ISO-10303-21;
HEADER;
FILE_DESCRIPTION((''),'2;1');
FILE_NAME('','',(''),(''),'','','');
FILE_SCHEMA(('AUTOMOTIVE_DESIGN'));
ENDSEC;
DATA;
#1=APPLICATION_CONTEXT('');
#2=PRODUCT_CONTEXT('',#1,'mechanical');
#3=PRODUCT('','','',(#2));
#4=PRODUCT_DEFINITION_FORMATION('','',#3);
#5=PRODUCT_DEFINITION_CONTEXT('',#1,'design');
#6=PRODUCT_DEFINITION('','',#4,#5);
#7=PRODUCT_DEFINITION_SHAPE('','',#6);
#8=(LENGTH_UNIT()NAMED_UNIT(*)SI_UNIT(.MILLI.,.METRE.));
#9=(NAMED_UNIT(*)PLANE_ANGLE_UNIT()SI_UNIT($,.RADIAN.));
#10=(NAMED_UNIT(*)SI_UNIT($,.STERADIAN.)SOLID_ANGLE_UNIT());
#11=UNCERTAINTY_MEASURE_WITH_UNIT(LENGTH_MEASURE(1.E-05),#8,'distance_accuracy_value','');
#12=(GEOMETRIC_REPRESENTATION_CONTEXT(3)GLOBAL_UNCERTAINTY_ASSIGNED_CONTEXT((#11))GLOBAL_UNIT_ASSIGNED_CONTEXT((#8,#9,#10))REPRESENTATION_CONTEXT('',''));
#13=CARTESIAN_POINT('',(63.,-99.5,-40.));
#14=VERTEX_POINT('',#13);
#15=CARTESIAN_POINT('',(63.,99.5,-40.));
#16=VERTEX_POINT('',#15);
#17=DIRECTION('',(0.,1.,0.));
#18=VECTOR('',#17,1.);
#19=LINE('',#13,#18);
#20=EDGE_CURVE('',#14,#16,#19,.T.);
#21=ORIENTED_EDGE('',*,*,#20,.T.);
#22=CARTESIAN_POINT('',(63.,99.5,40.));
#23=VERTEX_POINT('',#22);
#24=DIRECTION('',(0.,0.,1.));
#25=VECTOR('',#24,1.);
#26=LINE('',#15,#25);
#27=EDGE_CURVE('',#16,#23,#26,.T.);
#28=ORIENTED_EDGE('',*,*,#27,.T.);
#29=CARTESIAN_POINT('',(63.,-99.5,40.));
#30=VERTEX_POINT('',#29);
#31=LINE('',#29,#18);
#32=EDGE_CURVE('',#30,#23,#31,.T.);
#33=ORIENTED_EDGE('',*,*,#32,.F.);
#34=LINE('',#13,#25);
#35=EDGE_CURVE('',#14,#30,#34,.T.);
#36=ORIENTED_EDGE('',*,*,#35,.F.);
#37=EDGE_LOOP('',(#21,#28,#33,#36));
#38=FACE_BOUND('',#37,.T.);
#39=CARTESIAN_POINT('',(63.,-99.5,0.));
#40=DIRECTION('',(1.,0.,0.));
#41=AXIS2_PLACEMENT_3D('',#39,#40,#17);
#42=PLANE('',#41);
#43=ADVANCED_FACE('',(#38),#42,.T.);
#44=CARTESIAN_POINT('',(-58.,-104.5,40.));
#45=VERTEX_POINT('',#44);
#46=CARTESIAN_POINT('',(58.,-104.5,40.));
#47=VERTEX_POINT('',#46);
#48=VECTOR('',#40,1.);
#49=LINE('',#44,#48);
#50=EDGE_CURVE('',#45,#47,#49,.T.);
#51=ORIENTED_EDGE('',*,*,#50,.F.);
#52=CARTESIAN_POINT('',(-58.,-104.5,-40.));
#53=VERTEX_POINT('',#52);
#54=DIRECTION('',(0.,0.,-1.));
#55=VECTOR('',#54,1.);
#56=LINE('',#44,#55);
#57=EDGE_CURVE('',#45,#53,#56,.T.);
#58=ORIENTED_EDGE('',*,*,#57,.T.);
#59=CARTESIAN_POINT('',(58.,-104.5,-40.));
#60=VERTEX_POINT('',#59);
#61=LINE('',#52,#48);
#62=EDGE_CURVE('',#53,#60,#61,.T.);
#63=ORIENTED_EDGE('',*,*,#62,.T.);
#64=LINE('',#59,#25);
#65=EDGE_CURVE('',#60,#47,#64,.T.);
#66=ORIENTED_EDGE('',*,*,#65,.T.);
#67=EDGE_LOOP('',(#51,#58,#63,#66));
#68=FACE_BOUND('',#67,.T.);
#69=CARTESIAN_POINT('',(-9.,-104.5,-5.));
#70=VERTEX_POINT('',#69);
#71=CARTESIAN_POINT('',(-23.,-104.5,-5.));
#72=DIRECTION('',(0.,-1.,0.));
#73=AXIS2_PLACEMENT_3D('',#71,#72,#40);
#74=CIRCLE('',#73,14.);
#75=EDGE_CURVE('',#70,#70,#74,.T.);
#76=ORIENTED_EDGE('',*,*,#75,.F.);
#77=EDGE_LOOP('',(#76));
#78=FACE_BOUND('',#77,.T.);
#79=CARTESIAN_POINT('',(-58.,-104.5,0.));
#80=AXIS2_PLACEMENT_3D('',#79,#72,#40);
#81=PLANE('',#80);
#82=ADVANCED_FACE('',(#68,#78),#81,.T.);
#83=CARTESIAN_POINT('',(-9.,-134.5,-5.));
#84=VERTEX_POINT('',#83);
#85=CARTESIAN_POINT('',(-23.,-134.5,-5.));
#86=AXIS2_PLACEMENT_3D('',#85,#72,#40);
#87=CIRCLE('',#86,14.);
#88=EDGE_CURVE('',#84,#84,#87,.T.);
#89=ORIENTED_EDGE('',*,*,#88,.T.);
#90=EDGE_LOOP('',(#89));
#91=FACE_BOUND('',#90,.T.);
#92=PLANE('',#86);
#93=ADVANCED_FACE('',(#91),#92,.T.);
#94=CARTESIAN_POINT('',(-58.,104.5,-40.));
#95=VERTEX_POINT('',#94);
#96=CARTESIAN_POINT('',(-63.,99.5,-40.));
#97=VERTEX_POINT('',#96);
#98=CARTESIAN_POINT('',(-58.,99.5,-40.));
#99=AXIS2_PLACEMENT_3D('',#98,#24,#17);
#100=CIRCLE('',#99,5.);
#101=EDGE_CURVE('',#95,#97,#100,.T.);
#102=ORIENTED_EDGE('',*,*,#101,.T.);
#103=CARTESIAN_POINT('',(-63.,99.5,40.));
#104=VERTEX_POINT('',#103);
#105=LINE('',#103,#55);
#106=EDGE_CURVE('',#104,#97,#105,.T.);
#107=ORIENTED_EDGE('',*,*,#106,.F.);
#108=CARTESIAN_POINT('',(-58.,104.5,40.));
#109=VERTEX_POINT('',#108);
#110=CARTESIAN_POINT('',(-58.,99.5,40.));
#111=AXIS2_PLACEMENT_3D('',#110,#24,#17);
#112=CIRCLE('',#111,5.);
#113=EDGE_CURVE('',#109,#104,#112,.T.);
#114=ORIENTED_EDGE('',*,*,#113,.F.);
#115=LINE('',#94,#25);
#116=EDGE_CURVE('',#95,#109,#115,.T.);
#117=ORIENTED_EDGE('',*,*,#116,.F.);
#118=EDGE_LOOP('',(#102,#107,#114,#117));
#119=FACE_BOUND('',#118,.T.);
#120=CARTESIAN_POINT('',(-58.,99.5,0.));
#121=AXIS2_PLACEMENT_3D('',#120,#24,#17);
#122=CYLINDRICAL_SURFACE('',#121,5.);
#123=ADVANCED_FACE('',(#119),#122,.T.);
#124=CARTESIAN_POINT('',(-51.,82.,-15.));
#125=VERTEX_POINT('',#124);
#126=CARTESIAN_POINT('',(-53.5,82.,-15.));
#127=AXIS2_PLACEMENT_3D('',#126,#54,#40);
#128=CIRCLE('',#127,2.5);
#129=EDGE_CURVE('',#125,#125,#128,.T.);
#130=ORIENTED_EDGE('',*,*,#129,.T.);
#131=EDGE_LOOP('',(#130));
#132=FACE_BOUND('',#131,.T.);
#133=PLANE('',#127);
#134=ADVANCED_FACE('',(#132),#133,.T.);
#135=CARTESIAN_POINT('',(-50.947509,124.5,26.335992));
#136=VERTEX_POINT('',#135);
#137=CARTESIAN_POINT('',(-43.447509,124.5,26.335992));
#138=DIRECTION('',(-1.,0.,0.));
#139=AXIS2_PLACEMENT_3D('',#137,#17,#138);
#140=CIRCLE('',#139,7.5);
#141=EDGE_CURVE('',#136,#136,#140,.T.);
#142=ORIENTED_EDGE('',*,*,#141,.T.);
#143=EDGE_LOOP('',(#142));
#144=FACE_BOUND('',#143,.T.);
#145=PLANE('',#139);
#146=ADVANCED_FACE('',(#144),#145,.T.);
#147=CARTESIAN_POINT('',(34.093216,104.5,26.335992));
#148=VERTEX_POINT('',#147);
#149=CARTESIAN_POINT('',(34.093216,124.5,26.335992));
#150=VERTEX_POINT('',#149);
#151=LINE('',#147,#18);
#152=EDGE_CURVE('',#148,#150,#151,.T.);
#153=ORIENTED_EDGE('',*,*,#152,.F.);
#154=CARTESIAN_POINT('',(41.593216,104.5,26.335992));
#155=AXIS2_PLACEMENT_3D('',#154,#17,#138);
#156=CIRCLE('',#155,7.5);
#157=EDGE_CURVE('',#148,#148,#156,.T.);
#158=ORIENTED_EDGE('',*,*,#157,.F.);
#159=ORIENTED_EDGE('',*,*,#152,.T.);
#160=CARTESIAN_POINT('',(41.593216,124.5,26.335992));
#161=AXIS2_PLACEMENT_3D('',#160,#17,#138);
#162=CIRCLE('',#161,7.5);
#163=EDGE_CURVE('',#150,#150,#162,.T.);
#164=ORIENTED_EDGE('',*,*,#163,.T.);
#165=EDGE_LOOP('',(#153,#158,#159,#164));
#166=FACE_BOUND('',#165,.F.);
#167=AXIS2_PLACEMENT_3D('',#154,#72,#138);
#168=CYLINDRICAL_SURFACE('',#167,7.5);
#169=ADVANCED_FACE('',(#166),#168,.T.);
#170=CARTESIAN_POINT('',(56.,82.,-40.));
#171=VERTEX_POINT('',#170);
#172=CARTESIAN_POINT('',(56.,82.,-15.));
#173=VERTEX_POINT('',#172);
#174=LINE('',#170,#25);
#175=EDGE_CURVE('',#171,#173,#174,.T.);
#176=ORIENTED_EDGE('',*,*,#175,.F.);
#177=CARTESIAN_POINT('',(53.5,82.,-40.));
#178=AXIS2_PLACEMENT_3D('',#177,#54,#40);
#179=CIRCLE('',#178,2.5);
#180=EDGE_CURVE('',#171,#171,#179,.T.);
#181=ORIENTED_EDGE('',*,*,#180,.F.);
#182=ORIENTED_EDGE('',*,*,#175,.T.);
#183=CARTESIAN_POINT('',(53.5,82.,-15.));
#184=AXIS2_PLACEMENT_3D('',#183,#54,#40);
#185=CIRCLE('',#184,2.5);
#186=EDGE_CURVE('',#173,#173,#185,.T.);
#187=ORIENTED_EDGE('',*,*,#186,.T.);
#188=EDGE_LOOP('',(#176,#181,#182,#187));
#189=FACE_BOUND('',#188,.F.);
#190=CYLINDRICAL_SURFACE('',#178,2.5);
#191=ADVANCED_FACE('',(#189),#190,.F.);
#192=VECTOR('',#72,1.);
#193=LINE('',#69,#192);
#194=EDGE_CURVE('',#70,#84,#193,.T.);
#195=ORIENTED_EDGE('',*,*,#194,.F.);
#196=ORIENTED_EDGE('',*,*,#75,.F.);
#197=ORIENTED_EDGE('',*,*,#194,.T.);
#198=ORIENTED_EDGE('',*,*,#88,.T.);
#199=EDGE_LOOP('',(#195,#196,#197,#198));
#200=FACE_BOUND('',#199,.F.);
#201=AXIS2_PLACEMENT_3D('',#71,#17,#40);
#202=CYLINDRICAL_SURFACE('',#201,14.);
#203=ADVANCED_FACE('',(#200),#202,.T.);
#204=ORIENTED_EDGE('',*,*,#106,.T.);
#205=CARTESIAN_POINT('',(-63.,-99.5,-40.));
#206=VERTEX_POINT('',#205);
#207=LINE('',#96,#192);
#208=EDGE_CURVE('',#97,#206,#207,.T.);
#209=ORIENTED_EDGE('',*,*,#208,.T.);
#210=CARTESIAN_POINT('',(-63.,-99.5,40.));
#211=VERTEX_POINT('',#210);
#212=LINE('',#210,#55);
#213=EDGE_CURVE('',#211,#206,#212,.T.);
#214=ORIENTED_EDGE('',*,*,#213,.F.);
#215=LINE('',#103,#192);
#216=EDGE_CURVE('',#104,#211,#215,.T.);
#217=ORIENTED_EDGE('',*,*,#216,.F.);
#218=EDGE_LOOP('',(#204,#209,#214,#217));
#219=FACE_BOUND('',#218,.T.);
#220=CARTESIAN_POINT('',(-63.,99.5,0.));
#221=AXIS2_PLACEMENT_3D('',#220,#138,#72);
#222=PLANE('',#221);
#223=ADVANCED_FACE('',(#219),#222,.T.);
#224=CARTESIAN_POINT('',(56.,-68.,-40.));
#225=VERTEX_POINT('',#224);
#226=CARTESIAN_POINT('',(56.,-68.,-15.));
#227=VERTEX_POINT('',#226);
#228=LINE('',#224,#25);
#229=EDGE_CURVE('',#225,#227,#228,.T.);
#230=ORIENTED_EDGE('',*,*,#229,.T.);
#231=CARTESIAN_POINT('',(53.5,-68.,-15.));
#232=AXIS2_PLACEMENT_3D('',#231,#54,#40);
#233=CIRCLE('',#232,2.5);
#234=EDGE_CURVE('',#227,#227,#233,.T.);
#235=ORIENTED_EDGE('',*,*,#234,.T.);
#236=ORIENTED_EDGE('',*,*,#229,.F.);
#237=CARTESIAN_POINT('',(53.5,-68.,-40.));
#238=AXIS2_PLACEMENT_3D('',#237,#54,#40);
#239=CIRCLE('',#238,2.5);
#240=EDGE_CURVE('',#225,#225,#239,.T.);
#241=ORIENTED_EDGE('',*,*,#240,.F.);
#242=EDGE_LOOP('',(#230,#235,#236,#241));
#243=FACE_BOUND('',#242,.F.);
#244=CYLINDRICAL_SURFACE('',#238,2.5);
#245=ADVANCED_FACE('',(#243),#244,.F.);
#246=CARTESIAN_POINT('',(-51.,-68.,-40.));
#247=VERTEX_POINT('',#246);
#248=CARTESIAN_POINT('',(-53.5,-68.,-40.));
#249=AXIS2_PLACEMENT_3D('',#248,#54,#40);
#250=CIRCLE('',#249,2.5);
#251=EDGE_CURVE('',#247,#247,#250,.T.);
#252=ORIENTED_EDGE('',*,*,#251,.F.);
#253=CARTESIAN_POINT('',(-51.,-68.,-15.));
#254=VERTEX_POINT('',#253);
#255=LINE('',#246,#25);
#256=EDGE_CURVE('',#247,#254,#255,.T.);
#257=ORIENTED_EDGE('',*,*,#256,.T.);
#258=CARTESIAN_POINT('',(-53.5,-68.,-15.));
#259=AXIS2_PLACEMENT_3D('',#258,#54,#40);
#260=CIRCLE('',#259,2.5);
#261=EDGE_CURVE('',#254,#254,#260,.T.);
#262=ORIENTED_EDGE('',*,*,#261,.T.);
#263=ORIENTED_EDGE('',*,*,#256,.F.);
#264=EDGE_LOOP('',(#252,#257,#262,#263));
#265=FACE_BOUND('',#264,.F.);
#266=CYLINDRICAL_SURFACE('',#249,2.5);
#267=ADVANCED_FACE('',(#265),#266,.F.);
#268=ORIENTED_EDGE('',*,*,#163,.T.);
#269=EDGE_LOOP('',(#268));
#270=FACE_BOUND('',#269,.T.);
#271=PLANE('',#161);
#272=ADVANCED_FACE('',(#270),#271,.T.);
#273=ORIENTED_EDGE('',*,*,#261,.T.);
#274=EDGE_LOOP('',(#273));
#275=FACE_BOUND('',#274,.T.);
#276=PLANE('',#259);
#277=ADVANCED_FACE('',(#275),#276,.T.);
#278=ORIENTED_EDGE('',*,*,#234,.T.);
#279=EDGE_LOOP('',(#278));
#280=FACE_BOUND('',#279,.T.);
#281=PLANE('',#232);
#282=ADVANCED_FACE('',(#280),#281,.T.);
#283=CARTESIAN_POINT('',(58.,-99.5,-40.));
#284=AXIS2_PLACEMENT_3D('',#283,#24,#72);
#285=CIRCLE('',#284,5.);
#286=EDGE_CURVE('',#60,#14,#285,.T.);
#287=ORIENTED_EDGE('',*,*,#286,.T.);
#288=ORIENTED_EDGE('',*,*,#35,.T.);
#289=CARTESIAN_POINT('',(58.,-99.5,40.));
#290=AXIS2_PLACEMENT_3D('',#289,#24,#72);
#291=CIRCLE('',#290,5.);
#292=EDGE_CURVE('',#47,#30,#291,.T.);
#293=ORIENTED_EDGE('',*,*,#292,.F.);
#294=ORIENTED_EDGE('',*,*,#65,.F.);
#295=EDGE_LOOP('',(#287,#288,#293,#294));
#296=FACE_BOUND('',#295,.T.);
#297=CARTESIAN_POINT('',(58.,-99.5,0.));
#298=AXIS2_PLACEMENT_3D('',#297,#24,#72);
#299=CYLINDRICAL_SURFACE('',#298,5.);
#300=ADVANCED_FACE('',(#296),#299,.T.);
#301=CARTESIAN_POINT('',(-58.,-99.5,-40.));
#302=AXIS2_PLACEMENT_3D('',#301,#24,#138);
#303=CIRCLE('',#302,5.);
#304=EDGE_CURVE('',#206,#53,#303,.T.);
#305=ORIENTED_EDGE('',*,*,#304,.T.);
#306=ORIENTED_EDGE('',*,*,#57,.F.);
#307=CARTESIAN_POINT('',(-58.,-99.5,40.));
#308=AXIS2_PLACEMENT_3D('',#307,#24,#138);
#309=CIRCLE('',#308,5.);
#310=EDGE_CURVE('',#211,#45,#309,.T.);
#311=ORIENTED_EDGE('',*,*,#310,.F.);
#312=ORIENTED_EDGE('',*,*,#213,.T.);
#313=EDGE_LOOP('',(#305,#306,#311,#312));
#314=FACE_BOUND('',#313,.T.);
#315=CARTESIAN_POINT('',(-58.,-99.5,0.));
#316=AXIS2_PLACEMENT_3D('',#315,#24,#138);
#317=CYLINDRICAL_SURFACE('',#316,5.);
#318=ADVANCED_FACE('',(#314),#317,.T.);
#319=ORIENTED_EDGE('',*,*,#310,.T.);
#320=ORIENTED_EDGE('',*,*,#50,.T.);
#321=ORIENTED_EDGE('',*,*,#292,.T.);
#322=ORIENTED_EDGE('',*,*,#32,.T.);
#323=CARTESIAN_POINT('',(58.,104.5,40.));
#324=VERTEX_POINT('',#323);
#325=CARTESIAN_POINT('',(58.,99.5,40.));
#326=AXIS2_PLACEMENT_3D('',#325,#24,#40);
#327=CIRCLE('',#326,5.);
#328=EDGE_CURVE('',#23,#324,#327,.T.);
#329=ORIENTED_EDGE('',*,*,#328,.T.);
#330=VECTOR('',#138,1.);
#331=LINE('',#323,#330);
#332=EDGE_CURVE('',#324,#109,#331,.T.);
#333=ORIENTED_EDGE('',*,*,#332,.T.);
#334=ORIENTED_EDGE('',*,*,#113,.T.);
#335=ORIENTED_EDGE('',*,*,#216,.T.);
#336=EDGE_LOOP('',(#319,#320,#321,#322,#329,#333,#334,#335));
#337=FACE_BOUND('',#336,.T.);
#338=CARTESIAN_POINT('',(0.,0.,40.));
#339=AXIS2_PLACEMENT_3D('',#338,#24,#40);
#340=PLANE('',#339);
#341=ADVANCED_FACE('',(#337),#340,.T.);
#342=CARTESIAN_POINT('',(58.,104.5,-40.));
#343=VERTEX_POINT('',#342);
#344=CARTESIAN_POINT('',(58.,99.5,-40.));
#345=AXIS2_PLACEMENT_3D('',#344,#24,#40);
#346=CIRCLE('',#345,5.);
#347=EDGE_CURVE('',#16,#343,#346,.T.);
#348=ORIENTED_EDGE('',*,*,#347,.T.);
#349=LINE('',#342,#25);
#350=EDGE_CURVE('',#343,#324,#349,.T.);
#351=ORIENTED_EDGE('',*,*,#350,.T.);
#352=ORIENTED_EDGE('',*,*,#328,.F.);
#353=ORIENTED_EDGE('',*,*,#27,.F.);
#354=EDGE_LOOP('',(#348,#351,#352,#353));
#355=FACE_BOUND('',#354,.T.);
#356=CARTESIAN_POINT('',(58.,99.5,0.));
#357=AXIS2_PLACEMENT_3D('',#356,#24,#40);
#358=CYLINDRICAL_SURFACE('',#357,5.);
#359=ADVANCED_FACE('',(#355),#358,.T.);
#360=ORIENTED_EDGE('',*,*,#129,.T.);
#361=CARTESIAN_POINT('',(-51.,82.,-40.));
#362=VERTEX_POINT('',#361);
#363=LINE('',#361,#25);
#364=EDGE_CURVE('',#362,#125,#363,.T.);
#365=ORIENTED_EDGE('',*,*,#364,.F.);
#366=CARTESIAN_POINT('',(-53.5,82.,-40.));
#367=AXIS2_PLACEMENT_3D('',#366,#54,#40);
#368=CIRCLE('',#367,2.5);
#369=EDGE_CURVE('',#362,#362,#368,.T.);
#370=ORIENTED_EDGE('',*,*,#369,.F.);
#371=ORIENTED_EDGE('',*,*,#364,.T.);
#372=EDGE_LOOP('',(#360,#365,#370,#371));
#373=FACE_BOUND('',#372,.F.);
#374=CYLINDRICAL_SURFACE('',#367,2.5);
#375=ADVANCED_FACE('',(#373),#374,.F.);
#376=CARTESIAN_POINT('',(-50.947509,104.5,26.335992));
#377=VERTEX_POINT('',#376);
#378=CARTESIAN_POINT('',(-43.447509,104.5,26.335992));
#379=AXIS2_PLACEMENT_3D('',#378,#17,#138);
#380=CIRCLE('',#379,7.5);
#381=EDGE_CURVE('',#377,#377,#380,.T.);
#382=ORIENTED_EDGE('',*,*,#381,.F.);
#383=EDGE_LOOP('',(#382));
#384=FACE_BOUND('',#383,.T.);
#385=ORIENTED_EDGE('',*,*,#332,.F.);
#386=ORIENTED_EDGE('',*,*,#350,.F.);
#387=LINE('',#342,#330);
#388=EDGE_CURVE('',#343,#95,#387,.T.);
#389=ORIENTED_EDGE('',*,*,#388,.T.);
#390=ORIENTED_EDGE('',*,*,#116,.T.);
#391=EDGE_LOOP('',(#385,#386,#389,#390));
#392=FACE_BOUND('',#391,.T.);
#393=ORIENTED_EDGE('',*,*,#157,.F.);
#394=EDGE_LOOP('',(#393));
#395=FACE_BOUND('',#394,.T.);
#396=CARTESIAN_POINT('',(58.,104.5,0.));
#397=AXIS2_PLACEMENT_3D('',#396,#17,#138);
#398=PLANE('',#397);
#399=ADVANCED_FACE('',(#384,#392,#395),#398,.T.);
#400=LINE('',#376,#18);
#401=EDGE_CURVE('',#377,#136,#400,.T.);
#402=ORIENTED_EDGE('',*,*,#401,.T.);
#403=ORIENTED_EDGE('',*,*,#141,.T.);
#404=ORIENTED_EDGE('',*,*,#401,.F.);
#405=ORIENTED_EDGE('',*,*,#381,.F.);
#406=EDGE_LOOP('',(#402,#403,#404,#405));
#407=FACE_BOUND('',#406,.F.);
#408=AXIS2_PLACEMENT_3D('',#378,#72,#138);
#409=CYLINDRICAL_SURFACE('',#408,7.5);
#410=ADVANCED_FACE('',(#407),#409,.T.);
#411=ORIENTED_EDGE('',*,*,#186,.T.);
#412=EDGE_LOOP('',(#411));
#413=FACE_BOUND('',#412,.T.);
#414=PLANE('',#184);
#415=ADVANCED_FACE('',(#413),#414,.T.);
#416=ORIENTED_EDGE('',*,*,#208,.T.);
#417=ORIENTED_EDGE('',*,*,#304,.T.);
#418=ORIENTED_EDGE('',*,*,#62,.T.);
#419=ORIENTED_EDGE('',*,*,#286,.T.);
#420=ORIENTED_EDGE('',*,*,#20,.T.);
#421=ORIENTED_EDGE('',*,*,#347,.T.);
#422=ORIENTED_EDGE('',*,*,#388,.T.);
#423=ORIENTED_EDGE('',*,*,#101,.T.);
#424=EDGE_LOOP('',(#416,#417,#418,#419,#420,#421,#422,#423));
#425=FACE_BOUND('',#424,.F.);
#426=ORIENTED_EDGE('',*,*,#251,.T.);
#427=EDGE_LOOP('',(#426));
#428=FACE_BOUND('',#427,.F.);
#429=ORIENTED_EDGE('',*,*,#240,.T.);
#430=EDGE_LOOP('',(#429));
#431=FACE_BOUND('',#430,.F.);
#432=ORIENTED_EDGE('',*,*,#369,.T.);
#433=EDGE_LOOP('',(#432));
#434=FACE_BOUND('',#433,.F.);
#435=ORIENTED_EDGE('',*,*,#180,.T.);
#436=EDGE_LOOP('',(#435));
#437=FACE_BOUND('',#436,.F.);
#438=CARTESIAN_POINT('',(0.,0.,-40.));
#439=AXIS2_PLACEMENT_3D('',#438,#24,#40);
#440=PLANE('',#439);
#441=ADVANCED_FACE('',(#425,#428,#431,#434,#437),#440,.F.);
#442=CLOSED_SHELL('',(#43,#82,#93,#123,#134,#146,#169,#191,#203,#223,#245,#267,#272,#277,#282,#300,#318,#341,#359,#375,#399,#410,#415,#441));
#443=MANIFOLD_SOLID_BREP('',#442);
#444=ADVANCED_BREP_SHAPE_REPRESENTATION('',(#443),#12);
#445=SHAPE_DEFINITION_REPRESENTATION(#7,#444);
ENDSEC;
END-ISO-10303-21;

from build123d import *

# Parameters (mm, degrees)
F1_DEPTH = 40
F2_R     = 2.5
F3_DEPTH = 25
F4_R     = 14
F5_DEPTH = 30
F6_R     = 7.5
F7_DEPTH = 20


with BuildPart() as f1:
    # F0 (on Top) → F1 (new body, symmetric)
    with BuildSketch(Plane.XY):
        with BuildLine():
            Line((-58, -104.5), (58, -104.5))
            ThreePointArc((58, -104.5), (61.5355339059, -103.0355339059), (63, -99.5))
            Line((63, -99.5), (63, 99.5))
            ThreePointArc((63, 99.5), (61.5355339059, 103.0355339059), (58, 104.5))
            Line((58, 104.5), (-58, 104.5))
            ThreePointArc((-58, 104.5), (-61.5355339059, 103.0355339059), (-63, 99.5))
            Line((-63, 99.5), (-63, -99.5))
            ThreePointArc((-63, -99.5), (-61.5355339059, -103.0355339059), (-58, -104.5))
        make_face()
    extrude(amount=F1_DEPTH, both=True)

    # F2 (on face) → F3 (cut)
    with BuildSketch(Plane(origin=(0, 0, -40), x_dir=(1, 0, 0), z_dir=(0, 0, -1))):
        with Locations((-53.5, -82)):
            Circle(F2_R)
        with Locations((53.5, -82)):
            Circle(F2_R)
        with Locations((-53.5, 68)):
            Circle(F2_R)
        with Locations((53.5, 68)):
            Circle(F2_R)
    extrude(amount=-F3_DEPTH, mode=Mode.SUBTRACT)

    # F4 (on face) → F5 (join)
    with BuildSketch(Plane.XZ.offset(104.5)):
        with Locations((-23, -5)):
            Circle(F4_R)
    extrude(amount=F5_DEPTH)

    # F6 (on face) → F7 (join)
    with BuildSketch(Plane(origin=(0, 104.5, 0), x_dir=(-1, 0, 0), z_dir=(0, 1, 0))):
        with Locations((-41.5932163596, 26.335991919)):
            Circle(F6_R)
        with Locations((43.447509408, 26.335991919)):
            Circle(F6_R)
    extrude(amount=F7_DEPTH)


solid = f1.part
